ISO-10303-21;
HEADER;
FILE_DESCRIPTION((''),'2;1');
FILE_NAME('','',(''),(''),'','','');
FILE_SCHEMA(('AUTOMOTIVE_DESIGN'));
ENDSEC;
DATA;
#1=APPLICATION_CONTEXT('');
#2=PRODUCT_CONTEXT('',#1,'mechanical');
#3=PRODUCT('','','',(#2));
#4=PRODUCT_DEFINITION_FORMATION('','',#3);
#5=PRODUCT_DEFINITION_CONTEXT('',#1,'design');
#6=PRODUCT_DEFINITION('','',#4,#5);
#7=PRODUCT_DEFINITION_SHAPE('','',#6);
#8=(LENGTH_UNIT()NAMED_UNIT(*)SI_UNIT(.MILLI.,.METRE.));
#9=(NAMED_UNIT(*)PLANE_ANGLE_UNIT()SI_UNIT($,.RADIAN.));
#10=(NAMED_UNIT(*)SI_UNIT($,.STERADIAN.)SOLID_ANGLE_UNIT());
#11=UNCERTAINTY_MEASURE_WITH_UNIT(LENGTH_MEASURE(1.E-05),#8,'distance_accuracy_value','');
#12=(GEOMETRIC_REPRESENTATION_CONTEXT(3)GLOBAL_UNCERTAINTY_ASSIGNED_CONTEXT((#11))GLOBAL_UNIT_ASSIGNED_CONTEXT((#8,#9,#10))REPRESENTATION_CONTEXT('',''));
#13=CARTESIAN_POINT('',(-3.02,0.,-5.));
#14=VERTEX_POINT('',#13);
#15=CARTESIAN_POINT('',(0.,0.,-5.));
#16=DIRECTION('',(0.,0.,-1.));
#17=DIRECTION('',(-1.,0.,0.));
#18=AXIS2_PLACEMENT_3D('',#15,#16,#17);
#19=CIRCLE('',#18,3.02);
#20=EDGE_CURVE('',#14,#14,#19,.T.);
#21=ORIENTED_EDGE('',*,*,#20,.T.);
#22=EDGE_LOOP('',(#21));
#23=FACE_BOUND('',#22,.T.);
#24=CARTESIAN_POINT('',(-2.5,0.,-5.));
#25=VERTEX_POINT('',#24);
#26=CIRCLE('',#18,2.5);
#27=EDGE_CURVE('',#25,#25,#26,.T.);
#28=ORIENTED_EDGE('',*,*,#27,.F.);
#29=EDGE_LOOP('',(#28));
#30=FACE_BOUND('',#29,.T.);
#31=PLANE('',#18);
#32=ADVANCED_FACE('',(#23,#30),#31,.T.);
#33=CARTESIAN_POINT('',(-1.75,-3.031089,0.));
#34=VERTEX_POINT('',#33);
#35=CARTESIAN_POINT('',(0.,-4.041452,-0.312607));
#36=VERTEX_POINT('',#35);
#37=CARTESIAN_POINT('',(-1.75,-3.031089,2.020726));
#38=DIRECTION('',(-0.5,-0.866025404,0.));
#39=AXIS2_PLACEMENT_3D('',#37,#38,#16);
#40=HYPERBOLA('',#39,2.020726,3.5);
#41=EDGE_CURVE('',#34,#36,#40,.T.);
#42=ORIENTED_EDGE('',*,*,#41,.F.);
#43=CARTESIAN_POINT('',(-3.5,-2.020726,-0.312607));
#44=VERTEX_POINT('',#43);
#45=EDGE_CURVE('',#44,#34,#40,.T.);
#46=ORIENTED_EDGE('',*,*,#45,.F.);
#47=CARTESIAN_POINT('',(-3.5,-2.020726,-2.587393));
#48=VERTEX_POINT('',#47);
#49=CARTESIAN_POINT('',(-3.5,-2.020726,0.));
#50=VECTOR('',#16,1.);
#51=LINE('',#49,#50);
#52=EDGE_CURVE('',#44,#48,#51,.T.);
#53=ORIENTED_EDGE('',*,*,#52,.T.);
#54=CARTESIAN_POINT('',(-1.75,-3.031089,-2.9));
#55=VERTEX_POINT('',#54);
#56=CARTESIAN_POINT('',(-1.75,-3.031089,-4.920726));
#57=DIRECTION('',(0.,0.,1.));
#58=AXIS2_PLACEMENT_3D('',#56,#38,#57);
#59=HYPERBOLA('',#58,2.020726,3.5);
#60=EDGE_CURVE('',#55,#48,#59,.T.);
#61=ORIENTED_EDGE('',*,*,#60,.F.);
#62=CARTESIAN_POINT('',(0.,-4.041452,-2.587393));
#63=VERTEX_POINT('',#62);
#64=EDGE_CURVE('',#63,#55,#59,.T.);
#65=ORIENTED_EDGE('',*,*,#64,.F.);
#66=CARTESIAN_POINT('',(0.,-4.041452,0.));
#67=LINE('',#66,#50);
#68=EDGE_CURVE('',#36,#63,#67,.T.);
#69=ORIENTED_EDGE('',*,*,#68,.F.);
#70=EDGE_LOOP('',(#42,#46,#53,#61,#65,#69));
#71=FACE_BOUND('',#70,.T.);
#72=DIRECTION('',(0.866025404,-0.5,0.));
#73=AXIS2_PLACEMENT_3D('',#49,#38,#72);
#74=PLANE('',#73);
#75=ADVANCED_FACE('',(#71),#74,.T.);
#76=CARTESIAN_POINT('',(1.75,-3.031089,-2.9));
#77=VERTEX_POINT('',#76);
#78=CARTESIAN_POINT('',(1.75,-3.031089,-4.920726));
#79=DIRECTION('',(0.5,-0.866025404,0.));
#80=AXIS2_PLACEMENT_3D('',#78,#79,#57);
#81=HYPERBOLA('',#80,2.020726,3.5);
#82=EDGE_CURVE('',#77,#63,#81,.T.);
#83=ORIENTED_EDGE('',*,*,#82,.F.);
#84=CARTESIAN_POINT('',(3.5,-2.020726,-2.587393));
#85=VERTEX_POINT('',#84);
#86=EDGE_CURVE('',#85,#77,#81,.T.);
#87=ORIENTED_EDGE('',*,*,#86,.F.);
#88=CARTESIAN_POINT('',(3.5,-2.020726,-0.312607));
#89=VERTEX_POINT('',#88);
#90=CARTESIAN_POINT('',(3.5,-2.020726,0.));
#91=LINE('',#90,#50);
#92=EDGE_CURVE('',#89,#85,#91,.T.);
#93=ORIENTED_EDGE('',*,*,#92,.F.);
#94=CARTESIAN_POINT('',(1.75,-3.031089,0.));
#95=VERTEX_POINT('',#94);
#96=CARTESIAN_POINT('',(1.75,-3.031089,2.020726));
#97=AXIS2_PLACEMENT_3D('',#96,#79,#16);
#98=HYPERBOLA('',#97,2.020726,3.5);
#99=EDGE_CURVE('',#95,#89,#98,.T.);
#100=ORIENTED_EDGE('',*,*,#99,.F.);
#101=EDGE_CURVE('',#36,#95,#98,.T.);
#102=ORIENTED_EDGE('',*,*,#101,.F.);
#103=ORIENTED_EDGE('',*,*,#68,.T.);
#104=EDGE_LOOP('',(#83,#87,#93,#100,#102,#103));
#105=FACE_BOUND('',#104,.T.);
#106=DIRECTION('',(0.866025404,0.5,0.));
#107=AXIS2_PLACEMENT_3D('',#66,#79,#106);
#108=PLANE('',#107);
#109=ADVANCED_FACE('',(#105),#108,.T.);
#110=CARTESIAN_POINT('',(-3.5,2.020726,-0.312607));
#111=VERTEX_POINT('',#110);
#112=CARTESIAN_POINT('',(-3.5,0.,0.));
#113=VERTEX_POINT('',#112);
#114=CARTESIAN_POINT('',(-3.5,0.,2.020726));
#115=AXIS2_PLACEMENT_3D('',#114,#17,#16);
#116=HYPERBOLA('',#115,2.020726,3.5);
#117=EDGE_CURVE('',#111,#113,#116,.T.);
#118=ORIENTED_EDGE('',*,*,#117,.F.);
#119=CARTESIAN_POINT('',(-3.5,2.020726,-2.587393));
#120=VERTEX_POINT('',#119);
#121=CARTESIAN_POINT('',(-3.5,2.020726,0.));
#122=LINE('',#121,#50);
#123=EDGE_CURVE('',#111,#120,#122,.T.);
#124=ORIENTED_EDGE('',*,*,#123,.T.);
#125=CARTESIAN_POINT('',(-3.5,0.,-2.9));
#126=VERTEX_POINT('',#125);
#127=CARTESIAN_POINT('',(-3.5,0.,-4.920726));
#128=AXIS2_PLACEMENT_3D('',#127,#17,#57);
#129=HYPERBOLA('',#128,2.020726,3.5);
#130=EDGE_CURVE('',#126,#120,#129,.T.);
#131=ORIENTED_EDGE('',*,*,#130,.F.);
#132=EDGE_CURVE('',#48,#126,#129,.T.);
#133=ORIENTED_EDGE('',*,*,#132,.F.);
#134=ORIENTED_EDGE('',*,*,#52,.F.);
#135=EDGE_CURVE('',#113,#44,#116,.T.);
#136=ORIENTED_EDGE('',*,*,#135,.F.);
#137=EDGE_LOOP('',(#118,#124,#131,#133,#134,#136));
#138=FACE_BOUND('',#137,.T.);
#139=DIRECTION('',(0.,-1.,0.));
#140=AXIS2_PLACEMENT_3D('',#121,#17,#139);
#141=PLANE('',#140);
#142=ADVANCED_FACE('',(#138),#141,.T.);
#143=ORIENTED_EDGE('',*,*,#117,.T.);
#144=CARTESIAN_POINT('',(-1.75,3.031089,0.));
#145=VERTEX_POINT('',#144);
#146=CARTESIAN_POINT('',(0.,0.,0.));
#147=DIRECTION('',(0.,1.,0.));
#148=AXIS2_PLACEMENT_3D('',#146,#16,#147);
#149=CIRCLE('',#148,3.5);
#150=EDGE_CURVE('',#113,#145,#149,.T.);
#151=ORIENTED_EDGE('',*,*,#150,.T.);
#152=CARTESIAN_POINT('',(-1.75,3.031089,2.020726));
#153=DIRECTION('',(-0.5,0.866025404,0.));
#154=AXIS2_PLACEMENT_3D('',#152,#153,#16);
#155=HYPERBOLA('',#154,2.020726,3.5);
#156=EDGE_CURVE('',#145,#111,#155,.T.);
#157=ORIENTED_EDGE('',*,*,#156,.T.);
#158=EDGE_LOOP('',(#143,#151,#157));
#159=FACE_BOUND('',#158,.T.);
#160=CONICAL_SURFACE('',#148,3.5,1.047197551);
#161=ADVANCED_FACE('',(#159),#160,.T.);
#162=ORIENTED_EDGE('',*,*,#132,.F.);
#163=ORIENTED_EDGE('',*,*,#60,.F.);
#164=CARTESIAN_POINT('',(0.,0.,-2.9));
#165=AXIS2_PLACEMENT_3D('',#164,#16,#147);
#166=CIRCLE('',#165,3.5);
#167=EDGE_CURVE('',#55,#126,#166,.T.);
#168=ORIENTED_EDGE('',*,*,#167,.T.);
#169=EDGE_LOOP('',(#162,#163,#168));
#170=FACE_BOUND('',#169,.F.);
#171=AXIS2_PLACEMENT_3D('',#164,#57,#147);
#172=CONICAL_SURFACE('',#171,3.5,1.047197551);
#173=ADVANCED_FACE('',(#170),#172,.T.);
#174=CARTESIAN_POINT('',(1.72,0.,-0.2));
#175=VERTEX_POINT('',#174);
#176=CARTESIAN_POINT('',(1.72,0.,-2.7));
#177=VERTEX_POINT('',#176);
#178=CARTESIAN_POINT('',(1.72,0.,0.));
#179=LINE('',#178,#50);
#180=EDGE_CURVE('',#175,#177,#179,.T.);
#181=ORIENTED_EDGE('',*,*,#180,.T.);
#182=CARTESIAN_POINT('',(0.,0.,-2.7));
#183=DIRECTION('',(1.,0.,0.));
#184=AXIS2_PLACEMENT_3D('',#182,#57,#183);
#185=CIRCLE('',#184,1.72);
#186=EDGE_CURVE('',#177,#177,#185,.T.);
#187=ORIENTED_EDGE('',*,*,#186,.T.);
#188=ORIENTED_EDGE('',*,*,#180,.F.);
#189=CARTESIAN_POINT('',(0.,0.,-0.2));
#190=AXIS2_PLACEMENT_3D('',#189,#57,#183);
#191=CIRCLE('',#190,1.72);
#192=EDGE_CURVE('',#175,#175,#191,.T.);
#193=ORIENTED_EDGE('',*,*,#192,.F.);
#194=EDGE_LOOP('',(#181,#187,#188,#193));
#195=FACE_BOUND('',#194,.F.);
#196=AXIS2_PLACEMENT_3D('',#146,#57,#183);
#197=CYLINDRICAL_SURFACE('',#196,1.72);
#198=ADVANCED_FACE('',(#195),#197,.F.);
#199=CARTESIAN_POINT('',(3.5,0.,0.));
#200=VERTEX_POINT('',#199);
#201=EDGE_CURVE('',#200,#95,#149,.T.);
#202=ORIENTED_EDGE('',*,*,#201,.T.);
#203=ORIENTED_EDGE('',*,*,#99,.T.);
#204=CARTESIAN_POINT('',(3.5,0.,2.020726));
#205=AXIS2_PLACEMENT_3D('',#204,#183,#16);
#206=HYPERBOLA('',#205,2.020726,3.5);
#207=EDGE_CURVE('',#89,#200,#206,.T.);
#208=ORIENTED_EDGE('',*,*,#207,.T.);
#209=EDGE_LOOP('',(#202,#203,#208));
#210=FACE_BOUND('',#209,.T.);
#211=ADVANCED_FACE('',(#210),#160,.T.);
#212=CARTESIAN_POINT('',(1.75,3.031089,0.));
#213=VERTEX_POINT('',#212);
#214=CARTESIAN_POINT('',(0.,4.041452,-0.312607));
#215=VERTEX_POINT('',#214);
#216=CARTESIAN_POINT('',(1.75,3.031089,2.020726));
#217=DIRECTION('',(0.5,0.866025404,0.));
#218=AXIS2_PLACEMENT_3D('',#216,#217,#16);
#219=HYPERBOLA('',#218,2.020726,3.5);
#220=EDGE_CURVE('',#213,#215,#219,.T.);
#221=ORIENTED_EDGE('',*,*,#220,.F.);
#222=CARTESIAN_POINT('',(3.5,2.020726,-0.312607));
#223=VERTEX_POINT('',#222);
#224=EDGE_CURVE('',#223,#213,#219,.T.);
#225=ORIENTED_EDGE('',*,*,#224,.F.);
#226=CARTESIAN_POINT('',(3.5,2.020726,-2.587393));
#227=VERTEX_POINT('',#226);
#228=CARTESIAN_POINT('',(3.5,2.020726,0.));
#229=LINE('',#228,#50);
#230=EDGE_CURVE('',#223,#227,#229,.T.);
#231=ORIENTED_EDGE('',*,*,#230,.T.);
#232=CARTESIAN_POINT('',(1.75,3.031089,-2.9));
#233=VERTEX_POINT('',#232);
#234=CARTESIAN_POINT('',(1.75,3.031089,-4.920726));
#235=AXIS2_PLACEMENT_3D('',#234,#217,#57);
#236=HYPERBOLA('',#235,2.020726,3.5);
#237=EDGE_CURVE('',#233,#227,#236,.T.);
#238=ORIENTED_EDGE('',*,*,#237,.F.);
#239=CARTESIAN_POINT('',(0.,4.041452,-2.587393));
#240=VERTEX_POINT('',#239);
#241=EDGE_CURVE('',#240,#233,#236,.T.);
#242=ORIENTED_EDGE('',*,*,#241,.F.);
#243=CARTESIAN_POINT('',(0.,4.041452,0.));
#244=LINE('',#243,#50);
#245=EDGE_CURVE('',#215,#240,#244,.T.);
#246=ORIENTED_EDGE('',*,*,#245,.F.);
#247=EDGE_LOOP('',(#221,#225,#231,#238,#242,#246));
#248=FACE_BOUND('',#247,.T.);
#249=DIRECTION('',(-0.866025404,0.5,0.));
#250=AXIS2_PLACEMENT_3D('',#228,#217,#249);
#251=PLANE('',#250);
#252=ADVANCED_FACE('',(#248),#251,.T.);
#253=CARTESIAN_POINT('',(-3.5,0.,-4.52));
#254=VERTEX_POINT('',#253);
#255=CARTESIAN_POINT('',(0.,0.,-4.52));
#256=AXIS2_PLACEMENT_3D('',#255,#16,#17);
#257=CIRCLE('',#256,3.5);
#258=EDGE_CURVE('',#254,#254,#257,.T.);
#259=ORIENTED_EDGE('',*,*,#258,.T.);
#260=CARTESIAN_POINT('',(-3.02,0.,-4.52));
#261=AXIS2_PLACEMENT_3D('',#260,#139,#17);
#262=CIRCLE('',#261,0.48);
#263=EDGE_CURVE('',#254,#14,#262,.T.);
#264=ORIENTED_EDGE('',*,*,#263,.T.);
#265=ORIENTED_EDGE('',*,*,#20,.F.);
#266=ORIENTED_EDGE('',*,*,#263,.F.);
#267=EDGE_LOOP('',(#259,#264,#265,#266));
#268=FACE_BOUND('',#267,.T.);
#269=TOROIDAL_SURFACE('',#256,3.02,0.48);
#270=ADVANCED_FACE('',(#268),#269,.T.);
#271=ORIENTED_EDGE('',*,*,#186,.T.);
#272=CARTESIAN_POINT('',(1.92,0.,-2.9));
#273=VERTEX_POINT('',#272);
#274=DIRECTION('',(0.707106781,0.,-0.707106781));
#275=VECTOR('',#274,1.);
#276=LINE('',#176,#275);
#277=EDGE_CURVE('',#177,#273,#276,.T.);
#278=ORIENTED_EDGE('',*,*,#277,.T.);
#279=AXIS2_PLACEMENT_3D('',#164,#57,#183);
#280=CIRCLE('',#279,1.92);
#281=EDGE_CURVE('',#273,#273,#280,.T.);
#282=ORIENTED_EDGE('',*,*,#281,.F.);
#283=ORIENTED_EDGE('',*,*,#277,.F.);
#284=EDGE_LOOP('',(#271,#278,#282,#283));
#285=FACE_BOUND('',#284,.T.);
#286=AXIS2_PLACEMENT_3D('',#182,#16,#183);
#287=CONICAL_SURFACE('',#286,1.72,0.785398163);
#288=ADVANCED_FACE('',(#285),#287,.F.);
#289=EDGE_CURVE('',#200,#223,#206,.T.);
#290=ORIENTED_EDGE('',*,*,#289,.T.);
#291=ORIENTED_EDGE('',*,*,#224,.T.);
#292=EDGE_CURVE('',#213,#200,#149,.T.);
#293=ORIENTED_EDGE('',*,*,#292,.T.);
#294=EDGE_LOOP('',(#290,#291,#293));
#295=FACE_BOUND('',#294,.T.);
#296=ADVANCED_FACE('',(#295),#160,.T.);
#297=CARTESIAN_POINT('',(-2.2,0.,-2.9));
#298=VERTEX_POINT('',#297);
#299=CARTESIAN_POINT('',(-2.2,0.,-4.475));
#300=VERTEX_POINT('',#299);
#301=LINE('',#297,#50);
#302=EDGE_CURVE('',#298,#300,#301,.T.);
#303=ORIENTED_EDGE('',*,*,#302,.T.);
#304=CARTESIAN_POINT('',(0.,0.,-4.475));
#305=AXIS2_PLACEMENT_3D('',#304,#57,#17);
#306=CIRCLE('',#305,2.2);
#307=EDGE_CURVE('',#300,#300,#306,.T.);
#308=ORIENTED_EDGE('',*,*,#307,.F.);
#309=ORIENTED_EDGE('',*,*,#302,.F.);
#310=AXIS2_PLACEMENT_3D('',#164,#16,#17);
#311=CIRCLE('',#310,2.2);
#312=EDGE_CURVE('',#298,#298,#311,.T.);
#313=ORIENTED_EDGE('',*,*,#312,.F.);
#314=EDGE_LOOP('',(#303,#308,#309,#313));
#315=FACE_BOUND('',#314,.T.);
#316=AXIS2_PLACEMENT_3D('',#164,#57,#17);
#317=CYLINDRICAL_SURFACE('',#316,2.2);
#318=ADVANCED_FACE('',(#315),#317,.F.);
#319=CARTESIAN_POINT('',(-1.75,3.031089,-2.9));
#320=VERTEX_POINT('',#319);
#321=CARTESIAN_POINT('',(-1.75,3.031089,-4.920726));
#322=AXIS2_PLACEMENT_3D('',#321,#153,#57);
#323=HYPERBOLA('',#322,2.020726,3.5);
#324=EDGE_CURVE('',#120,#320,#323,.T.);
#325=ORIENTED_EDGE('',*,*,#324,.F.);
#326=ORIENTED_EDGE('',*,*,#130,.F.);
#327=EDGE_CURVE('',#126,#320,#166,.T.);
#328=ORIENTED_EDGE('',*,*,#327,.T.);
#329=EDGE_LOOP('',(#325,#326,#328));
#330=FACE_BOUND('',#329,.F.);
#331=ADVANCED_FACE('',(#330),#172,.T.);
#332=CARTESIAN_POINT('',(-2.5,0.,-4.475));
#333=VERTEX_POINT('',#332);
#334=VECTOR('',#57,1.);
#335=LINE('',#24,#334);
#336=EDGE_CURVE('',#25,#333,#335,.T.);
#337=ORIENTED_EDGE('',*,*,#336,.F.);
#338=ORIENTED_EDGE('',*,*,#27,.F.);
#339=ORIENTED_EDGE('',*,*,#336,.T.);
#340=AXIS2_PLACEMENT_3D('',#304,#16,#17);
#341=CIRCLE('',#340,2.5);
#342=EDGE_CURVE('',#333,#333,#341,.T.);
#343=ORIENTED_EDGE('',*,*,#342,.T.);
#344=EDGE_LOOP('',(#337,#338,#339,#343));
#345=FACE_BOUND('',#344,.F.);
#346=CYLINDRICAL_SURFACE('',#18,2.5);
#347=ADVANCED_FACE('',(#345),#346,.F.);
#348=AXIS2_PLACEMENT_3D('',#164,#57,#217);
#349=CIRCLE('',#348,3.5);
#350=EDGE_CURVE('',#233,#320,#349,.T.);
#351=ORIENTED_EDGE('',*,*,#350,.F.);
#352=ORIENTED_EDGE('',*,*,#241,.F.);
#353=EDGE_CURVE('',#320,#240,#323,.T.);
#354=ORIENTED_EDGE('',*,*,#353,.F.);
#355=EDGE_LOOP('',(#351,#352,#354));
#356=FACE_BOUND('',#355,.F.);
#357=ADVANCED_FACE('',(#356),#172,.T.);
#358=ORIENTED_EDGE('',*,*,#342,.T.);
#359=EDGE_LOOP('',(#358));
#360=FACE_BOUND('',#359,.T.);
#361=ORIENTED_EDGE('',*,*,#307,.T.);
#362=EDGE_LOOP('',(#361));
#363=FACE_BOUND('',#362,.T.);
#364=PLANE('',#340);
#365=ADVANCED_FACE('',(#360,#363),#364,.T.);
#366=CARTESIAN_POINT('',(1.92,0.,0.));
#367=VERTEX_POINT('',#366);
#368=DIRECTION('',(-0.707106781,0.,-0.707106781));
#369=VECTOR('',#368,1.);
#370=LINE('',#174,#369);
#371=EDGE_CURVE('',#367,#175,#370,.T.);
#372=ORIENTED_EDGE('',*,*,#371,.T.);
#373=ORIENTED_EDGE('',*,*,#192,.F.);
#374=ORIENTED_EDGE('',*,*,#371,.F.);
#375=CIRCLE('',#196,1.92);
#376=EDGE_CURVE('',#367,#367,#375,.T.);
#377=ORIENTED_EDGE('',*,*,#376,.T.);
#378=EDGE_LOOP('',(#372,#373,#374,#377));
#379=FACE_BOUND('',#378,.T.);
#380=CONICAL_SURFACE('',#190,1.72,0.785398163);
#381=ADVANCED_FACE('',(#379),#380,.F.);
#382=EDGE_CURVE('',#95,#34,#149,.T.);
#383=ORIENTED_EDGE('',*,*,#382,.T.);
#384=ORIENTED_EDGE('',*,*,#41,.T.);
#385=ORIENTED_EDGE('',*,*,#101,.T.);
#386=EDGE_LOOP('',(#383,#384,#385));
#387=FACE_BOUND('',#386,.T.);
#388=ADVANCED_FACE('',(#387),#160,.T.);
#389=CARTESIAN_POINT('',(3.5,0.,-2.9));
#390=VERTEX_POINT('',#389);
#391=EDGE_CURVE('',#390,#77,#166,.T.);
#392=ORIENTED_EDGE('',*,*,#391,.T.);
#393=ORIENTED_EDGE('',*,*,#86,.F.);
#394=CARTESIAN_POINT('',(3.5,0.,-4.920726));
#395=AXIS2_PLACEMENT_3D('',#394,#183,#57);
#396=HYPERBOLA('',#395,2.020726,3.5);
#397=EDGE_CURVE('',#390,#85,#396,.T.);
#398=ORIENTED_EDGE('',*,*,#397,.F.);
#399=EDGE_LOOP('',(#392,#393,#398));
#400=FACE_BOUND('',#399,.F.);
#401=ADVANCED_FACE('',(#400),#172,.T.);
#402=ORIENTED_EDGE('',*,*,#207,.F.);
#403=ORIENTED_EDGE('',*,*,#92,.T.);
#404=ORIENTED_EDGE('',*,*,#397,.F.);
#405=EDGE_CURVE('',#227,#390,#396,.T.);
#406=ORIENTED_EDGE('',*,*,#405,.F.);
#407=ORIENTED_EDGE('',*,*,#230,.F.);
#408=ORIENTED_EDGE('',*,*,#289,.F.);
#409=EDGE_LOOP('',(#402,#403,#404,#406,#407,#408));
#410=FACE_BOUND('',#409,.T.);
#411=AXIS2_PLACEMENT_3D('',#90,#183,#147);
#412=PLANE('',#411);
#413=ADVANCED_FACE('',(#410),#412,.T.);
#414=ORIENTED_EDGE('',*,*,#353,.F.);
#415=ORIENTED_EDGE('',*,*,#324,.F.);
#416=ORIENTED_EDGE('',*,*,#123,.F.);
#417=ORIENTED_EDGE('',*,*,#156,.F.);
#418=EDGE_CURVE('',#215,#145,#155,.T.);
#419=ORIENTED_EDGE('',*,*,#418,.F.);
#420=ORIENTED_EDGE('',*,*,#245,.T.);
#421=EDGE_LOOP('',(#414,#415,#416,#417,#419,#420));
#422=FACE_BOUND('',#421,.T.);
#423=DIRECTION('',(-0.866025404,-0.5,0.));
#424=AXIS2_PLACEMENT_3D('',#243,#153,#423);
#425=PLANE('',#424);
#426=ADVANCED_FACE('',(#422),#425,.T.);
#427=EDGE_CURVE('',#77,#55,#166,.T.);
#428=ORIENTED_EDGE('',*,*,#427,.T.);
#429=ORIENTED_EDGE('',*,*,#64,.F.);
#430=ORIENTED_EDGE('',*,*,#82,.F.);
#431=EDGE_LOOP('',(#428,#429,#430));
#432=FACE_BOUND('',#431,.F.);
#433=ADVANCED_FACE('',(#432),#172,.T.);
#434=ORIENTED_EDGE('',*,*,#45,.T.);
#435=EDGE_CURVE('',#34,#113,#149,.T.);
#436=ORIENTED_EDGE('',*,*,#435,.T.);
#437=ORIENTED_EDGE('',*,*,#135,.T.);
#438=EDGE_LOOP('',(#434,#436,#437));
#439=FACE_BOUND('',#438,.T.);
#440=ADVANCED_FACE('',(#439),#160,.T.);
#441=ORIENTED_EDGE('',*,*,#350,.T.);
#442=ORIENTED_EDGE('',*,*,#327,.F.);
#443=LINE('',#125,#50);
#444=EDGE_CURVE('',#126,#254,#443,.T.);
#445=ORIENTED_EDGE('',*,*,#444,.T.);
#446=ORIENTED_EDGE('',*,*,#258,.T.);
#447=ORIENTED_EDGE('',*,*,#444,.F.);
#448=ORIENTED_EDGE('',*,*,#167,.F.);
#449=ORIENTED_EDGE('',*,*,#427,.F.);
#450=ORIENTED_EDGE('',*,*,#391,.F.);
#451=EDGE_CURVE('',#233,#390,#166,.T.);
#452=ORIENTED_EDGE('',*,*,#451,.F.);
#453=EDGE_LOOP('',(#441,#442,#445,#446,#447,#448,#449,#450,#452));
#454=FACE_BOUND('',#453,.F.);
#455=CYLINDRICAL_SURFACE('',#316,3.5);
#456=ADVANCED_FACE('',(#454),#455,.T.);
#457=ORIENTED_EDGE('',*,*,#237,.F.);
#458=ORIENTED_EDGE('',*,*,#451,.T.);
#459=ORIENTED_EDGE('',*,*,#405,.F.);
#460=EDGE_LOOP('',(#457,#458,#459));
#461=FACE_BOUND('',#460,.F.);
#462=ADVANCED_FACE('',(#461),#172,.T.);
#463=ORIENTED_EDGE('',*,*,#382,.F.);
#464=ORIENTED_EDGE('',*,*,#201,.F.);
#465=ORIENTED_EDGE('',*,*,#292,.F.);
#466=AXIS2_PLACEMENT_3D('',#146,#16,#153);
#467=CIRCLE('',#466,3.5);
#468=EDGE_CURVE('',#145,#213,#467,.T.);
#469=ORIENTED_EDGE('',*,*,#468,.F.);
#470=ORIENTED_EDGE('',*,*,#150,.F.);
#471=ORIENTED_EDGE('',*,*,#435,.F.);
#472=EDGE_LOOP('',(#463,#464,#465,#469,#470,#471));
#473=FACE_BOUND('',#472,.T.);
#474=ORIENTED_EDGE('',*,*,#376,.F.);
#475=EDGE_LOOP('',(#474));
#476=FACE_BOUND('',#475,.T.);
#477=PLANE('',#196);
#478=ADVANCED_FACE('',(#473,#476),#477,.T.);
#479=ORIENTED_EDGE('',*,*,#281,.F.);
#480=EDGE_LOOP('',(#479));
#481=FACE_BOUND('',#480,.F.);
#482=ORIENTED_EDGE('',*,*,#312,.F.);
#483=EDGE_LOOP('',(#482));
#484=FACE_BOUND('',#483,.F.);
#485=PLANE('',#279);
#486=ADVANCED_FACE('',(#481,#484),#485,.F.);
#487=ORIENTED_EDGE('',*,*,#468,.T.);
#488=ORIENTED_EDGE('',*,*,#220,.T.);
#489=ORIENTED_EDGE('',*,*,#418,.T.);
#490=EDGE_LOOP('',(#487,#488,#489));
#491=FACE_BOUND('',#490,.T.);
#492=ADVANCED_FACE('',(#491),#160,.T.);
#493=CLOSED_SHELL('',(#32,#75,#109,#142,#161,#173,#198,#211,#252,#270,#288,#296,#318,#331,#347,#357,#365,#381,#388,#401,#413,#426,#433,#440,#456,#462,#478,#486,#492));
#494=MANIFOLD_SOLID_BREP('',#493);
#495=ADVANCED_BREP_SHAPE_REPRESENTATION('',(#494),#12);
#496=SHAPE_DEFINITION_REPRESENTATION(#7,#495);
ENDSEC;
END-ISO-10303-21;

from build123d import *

# Parameters (mm, degrees)
SKETCH_1_R          = 1.72
EXTRUDE_1_DEPTH     = 2.9
SKETCH_5_R          = 3.5
SKETCH_5_R_2        = 2.2
EXTRUDE_4_DEPTH     = 2.1
FILLET_2_R          = 0.48
SKETCH_6_R          = 2.5
CUT_EXTRUDE_1_DEPTH = 0.525
CHAMFER_2_SIZE      = 0.2


with BuildPart() as part:
    # 草图1 → 凸台-拉伸1 (new body)
    with BuildSketch(Plane.XY):
        Polygon((0, 4.041451884), (-3.5, 2.020725942), (-3.5, -2.020725942), (0, -4.041451884), (3.5, -2.020725942), (3.5, 2.020725942), align=None)
        Circle(SKETCH_1_R, mode=Mode.SUBTRACT)
    extrude(amount=-EXTRUDE_1_DEPTH)

    # 草图2 → 切除-旋转1 (revolve, cut)
    with BuildSketch(Plane(origin=(0, 0, 0), x_dir=(0, 0, -1), z_dir=(1, 0, 0))):
        Polygon((0, 3.5), (0.312607391, 4.041451884), (0, 4.041451884), align=None)
        Polygon((2.9, 3.5), (2.587392609, 4.041451884), (2.9, 4.041451884), align=None)
    revolve(axis=Axis((0, 0, 0), (0, 0, -1)), mode=Mode.SUBTRACT)

    # 草图5 → 凸台-拉伸4 (add)
    with BuildSketch(Plane(origin=(0, 0, -2.9), x_dir=(-1, 0, 0), z_dir=(0, 0, -1))):
        Circle(SKETCH_5_R)
        Circle(SKETCH_5_R_2, mode=Mode.SUBTRACT)
    extrude(amount=EXTRUDE_4_DEPTH)

    # 圆角2
    fillet_2_edges = [part.edges().sort_by_distance(p)[0] for p in [
        (3.5, 0, -5),
    ]]
    fillet(fillet_2_edges, radius=FILLET_2_R)

    # 草图6 → 切除-拉伸1 (cut)
    with BuildSketch(Plane(origin=(0, 0, -5), x_dir=(-1, 0, 0), z_dir=(0, 0, -1))):
        Circle(SKETCH_6_R)
    extrude(amount=-CUT_EXTRUDE_1_DEPTH, mode=Mode.SUBTRACT)

    # 倒角2
    chamfer_2_edges = [part.edges().sort_by_distance(p)[0] for p in [
        (-1.72, 0, -2.9),
        (-1.72, 0, 0),
    ]]
    chamfer(chamfer_2_edges, length=CHAMFER_2_SIZE)


solid = part.part
